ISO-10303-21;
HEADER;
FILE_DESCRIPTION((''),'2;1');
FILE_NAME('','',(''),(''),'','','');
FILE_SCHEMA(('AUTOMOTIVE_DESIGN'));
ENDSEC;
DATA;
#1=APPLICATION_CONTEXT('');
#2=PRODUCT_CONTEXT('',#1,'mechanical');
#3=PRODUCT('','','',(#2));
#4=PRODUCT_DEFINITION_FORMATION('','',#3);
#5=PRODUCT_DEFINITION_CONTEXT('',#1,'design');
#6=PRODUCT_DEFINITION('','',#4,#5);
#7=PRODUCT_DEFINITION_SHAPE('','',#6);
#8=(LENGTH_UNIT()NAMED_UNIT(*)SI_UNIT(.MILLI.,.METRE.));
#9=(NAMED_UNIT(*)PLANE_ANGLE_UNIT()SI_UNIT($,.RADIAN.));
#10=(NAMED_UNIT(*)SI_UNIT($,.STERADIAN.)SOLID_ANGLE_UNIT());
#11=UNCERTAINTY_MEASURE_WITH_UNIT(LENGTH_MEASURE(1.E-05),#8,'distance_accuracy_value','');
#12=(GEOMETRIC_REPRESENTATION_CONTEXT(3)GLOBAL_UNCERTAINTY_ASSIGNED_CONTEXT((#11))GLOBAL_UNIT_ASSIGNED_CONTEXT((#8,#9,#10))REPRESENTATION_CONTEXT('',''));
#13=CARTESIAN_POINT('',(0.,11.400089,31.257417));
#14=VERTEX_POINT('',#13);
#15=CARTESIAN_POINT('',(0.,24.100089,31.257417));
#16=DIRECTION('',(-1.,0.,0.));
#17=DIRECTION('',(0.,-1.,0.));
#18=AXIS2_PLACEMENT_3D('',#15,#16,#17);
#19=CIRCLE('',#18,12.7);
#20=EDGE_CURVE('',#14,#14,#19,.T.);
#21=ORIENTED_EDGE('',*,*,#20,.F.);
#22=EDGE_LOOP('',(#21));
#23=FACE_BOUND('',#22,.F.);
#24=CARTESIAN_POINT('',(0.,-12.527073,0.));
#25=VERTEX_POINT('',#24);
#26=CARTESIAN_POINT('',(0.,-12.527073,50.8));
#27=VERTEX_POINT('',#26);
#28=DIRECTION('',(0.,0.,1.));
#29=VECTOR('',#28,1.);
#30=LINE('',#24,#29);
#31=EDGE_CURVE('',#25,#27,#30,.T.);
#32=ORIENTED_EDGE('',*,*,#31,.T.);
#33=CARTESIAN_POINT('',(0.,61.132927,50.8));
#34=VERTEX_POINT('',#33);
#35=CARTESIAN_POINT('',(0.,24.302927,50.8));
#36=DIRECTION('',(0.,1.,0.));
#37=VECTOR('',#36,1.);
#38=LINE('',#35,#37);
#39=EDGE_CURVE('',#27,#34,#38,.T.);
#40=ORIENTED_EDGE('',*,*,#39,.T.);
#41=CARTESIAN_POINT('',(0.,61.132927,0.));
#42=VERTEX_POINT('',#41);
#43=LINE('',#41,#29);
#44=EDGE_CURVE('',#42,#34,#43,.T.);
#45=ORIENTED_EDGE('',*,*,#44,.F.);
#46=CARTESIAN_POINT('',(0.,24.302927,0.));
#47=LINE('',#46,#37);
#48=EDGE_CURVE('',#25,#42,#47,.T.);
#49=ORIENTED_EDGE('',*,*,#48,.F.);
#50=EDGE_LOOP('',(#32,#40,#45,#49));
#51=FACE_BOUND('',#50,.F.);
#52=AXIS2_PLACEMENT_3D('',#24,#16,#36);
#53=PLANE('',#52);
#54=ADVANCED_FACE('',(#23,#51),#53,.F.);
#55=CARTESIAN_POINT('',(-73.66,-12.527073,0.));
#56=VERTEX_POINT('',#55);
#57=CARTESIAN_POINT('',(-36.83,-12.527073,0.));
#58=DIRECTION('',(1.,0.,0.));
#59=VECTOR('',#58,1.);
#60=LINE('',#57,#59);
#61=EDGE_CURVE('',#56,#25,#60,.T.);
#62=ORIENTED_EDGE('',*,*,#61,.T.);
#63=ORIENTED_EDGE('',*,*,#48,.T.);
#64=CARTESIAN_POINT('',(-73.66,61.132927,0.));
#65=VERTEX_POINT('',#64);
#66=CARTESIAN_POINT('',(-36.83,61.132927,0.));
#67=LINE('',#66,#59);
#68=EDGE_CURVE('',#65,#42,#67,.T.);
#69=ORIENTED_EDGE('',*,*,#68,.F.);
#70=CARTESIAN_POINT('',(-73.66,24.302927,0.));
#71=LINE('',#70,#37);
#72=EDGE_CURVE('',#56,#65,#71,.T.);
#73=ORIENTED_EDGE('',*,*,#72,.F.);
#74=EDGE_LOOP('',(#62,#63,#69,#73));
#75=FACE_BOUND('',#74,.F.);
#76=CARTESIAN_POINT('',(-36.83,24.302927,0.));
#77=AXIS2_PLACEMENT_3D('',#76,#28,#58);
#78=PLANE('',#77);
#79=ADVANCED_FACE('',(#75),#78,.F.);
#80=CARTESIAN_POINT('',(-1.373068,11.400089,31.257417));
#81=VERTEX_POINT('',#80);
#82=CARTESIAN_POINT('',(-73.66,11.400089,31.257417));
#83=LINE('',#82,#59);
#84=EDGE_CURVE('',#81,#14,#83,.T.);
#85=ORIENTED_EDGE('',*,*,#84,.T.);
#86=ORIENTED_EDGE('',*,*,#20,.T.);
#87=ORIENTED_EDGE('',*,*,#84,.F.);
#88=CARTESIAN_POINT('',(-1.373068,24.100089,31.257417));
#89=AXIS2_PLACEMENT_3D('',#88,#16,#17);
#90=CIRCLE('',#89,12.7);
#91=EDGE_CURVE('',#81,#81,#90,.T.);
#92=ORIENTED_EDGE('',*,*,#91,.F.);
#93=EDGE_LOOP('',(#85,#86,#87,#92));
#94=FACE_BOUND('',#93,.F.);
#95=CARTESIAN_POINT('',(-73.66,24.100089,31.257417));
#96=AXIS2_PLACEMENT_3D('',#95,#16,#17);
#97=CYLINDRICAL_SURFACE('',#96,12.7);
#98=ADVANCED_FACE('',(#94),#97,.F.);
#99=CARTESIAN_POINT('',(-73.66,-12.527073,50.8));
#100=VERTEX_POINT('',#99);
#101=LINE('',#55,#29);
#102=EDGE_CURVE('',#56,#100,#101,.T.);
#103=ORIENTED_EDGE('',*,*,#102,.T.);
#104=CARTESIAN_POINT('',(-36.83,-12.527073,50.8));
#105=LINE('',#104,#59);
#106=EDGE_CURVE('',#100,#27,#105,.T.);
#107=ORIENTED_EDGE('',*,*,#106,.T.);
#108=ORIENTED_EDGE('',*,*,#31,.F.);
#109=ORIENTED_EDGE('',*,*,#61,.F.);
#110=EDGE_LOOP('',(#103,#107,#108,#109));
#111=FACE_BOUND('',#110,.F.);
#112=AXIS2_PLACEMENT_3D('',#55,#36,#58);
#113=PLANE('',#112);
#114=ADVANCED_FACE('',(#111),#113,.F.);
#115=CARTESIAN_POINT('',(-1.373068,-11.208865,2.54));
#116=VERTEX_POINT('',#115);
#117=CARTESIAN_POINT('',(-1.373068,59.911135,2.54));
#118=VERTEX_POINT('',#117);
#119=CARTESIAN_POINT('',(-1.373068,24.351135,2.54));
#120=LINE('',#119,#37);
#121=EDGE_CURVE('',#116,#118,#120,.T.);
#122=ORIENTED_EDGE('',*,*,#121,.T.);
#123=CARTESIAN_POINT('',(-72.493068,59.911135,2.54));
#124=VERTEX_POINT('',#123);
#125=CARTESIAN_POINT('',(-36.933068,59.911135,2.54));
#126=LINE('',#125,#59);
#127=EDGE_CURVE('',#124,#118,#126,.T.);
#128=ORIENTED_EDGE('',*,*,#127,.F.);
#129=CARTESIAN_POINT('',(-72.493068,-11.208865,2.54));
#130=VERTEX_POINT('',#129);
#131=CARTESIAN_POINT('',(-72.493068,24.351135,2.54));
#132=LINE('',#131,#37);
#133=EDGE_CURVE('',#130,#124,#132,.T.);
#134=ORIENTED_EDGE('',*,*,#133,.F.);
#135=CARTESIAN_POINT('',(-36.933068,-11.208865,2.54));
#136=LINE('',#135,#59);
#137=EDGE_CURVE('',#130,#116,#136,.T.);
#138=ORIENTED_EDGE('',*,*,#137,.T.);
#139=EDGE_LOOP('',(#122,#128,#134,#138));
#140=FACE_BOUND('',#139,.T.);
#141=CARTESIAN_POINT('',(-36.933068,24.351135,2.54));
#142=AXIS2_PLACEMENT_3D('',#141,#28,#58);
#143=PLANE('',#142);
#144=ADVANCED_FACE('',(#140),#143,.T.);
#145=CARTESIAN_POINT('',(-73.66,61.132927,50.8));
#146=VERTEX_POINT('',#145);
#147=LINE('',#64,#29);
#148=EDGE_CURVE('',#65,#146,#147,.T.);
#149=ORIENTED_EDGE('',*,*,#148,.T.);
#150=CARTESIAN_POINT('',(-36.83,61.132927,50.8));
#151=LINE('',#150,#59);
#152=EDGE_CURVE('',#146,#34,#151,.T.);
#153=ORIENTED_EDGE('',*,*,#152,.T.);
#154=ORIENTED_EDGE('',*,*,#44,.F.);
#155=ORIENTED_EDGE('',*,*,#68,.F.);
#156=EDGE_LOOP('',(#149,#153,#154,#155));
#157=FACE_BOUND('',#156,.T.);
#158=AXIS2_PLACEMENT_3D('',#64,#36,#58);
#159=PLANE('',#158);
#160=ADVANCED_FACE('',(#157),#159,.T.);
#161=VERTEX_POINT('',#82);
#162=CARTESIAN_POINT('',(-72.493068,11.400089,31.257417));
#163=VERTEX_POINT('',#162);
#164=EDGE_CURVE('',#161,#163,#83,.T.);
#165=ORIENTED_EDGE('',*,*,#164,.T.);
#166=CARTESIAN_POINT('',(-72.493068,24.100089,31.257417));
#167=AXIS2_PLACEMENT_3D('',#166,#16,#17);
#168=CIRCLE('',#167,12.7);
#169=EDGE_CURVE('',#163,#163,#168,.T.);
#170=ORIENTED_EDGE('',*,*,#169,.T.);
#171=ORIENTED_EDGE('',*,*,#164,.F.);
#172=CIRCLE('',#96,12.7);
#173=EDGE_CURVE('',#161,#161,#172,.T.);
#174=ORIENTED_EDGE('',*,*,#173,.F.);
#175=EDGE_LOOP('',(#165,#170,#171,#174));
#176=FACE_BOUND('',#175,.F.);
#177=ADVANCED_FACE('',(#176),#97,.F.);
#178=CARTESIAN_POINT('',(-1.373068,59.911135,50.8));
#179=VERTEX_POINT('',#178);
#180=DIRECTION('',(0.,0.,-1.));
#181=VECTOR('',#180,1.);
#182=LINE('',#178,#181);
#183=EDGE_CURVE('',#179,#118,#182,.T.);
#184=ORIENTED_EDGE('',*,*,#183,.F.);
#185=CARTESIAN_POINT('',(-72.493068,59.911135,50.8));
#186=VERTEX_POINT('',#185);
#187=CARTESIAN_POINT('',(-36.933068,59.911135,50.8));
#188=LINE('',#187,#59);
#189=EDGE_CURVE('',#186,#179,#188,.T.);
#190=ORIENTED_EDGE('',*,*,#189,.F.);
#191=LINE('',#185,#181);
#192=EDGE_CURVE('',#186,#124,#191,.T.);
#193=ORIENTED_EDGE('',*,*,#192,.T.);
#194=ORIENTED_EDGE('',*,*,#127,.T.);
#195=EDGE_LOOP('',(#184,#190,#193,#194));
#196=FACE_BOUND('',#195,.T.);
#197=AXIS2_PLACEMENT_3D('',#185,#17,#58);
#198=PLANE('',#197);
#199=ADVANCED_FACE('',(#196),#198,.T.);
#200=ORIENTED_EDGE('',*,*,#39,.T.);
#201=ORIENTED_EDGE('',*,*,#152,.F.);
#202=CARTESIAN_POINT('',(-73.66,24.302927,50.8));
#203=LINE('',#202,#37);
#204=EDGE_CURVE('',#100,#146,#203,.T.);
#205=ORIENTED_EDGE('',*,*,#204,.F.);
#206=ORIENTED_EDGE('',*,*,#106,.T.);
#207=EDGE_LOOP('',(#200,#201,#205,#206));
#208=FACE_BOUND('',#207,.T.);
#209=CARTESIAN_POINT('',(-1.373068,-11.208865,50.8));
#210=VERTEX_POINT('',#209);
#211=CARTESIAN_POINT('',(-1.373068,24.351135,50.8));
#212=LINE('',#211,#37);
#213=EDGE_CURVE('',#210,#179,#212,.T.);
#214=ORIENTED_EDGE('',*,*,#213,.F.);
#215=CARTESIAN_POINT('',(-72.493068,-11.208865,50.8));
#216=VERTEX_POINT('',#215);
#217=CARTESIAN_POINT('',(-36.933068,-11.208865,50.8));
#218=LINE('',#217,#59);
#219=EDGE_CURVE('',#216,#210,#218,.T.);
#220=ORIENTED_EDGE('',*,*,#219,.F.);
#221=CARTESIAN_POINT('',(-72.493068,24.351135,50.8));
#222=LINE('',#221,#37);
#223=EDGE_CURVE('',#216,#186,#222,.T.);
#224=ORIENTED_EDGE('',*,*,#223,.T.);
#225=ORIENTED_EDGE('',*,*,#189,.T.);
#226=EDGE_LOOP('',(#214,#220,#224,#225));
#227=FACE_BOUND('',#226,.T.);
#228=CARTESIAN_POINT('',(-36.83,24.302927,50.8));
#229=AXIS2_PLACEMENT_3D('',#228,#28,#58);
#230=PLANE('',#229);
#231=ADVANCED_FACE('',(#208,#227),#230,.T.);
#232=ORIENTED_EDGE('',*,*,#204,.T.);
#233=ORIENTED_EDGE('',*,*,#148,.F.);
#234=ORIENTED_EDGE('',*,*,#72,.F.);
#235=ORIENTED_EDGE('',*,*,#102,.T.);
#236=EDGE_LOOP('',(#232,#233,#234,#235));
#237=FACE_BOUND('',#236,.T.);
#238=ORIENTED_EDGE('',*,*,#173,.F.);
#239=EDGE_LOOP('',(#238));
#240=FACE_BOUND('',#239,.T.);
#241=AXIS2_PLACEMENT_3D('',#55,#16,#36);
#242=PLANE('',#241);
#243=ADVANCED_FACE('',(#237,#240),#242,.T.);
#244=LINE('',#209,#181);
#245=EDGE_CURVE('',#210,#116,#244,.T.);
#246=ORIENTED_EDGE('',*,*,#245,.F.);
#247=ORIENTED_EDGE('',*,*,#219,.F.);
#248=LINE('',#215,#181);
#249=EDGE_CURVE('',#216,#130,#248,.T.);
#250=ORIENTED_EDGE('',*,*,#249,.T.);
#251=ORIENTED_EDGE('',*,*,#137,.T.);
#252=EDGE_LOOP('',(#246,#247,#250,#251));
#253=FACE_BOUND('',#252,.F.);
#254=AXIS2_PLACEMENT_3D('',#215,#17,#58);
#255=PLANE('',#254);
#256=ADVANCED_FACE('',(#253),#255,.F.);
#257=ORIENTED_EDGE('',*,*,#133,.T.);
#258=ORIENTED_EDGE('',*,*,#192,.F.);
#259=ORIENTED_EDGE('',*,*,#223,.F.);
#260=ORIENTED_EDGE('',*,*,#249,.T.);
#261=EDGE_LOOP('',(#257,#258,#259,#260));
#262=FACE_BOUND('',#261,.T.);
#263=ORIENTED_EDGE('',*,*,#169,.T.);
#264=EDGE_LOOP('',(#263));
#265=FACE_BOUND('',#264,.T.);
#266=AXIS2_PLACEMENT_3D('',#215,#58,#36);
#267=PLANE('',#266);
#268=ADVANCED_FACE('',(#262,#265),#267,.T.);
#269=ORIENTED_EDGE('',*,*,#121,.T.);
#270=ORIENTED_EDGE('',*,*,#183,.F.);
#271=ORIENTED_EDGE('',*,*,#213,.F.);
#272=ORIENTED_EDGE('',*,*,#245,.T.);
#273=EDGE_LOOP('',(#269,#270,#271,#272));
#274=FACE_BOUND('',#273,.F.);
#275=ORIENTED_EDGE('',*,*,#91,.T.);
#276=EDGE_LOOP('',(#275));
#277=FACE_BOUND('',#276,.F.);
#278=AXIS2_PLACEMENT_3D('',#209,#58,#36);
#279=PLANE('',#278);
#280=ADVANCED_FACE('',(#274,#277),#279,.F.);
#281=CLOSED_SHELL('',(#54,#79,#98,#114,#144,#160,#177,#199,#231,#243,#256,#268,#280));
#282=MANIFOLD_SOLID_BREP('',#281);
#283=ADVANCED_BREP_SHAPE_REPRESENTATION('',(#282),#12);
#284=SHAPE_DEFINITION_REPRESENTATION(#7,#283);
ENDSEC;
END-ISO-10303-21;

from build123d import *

# Parameters (mm, degrees)
F0_W     = 73.66
F0_H     = 73.66
F1_DEPTH = 50.8
F2_W     = 71.12
F2_H     = 71.12
F3_DEPTH = 48.26
F4_R     = 12.7
F5_DEPTH = 87.376


with BuildPart() as f1:
    # F0 (on Top) → F1 (new body)
    with BuildSketch(Plane.XY):
        with Locations((-36.83, 24.302927)):
            Rectangle(F0_W, F0_H)
    extrude(amount=F1_DEPTH)

    # F2 (on face) → F3 (cut)
    with BuildSketch(Plane.XY.offset(50.8)):
        with Locations((-36.933068, 24.351135)):
            Rectangle(F2_W, F2_H)
    extrude(amount=-F3_DEPTH, mode=Mode.SUBTRACT)

    # F4 (on face) → F5 (cut)
    with BuildSketch(Plane(origin=(-73.66, 0, 0), x_dir=(0, -1, 0), z_dir=(-1, 0, 0))):
        with Locations((-24.100089, 31.257417)):
            Circle(F4_R)
    extrude(amount=-F5_DEPTH, mode=Mode.SUBTRACT)


solid = f1.part
